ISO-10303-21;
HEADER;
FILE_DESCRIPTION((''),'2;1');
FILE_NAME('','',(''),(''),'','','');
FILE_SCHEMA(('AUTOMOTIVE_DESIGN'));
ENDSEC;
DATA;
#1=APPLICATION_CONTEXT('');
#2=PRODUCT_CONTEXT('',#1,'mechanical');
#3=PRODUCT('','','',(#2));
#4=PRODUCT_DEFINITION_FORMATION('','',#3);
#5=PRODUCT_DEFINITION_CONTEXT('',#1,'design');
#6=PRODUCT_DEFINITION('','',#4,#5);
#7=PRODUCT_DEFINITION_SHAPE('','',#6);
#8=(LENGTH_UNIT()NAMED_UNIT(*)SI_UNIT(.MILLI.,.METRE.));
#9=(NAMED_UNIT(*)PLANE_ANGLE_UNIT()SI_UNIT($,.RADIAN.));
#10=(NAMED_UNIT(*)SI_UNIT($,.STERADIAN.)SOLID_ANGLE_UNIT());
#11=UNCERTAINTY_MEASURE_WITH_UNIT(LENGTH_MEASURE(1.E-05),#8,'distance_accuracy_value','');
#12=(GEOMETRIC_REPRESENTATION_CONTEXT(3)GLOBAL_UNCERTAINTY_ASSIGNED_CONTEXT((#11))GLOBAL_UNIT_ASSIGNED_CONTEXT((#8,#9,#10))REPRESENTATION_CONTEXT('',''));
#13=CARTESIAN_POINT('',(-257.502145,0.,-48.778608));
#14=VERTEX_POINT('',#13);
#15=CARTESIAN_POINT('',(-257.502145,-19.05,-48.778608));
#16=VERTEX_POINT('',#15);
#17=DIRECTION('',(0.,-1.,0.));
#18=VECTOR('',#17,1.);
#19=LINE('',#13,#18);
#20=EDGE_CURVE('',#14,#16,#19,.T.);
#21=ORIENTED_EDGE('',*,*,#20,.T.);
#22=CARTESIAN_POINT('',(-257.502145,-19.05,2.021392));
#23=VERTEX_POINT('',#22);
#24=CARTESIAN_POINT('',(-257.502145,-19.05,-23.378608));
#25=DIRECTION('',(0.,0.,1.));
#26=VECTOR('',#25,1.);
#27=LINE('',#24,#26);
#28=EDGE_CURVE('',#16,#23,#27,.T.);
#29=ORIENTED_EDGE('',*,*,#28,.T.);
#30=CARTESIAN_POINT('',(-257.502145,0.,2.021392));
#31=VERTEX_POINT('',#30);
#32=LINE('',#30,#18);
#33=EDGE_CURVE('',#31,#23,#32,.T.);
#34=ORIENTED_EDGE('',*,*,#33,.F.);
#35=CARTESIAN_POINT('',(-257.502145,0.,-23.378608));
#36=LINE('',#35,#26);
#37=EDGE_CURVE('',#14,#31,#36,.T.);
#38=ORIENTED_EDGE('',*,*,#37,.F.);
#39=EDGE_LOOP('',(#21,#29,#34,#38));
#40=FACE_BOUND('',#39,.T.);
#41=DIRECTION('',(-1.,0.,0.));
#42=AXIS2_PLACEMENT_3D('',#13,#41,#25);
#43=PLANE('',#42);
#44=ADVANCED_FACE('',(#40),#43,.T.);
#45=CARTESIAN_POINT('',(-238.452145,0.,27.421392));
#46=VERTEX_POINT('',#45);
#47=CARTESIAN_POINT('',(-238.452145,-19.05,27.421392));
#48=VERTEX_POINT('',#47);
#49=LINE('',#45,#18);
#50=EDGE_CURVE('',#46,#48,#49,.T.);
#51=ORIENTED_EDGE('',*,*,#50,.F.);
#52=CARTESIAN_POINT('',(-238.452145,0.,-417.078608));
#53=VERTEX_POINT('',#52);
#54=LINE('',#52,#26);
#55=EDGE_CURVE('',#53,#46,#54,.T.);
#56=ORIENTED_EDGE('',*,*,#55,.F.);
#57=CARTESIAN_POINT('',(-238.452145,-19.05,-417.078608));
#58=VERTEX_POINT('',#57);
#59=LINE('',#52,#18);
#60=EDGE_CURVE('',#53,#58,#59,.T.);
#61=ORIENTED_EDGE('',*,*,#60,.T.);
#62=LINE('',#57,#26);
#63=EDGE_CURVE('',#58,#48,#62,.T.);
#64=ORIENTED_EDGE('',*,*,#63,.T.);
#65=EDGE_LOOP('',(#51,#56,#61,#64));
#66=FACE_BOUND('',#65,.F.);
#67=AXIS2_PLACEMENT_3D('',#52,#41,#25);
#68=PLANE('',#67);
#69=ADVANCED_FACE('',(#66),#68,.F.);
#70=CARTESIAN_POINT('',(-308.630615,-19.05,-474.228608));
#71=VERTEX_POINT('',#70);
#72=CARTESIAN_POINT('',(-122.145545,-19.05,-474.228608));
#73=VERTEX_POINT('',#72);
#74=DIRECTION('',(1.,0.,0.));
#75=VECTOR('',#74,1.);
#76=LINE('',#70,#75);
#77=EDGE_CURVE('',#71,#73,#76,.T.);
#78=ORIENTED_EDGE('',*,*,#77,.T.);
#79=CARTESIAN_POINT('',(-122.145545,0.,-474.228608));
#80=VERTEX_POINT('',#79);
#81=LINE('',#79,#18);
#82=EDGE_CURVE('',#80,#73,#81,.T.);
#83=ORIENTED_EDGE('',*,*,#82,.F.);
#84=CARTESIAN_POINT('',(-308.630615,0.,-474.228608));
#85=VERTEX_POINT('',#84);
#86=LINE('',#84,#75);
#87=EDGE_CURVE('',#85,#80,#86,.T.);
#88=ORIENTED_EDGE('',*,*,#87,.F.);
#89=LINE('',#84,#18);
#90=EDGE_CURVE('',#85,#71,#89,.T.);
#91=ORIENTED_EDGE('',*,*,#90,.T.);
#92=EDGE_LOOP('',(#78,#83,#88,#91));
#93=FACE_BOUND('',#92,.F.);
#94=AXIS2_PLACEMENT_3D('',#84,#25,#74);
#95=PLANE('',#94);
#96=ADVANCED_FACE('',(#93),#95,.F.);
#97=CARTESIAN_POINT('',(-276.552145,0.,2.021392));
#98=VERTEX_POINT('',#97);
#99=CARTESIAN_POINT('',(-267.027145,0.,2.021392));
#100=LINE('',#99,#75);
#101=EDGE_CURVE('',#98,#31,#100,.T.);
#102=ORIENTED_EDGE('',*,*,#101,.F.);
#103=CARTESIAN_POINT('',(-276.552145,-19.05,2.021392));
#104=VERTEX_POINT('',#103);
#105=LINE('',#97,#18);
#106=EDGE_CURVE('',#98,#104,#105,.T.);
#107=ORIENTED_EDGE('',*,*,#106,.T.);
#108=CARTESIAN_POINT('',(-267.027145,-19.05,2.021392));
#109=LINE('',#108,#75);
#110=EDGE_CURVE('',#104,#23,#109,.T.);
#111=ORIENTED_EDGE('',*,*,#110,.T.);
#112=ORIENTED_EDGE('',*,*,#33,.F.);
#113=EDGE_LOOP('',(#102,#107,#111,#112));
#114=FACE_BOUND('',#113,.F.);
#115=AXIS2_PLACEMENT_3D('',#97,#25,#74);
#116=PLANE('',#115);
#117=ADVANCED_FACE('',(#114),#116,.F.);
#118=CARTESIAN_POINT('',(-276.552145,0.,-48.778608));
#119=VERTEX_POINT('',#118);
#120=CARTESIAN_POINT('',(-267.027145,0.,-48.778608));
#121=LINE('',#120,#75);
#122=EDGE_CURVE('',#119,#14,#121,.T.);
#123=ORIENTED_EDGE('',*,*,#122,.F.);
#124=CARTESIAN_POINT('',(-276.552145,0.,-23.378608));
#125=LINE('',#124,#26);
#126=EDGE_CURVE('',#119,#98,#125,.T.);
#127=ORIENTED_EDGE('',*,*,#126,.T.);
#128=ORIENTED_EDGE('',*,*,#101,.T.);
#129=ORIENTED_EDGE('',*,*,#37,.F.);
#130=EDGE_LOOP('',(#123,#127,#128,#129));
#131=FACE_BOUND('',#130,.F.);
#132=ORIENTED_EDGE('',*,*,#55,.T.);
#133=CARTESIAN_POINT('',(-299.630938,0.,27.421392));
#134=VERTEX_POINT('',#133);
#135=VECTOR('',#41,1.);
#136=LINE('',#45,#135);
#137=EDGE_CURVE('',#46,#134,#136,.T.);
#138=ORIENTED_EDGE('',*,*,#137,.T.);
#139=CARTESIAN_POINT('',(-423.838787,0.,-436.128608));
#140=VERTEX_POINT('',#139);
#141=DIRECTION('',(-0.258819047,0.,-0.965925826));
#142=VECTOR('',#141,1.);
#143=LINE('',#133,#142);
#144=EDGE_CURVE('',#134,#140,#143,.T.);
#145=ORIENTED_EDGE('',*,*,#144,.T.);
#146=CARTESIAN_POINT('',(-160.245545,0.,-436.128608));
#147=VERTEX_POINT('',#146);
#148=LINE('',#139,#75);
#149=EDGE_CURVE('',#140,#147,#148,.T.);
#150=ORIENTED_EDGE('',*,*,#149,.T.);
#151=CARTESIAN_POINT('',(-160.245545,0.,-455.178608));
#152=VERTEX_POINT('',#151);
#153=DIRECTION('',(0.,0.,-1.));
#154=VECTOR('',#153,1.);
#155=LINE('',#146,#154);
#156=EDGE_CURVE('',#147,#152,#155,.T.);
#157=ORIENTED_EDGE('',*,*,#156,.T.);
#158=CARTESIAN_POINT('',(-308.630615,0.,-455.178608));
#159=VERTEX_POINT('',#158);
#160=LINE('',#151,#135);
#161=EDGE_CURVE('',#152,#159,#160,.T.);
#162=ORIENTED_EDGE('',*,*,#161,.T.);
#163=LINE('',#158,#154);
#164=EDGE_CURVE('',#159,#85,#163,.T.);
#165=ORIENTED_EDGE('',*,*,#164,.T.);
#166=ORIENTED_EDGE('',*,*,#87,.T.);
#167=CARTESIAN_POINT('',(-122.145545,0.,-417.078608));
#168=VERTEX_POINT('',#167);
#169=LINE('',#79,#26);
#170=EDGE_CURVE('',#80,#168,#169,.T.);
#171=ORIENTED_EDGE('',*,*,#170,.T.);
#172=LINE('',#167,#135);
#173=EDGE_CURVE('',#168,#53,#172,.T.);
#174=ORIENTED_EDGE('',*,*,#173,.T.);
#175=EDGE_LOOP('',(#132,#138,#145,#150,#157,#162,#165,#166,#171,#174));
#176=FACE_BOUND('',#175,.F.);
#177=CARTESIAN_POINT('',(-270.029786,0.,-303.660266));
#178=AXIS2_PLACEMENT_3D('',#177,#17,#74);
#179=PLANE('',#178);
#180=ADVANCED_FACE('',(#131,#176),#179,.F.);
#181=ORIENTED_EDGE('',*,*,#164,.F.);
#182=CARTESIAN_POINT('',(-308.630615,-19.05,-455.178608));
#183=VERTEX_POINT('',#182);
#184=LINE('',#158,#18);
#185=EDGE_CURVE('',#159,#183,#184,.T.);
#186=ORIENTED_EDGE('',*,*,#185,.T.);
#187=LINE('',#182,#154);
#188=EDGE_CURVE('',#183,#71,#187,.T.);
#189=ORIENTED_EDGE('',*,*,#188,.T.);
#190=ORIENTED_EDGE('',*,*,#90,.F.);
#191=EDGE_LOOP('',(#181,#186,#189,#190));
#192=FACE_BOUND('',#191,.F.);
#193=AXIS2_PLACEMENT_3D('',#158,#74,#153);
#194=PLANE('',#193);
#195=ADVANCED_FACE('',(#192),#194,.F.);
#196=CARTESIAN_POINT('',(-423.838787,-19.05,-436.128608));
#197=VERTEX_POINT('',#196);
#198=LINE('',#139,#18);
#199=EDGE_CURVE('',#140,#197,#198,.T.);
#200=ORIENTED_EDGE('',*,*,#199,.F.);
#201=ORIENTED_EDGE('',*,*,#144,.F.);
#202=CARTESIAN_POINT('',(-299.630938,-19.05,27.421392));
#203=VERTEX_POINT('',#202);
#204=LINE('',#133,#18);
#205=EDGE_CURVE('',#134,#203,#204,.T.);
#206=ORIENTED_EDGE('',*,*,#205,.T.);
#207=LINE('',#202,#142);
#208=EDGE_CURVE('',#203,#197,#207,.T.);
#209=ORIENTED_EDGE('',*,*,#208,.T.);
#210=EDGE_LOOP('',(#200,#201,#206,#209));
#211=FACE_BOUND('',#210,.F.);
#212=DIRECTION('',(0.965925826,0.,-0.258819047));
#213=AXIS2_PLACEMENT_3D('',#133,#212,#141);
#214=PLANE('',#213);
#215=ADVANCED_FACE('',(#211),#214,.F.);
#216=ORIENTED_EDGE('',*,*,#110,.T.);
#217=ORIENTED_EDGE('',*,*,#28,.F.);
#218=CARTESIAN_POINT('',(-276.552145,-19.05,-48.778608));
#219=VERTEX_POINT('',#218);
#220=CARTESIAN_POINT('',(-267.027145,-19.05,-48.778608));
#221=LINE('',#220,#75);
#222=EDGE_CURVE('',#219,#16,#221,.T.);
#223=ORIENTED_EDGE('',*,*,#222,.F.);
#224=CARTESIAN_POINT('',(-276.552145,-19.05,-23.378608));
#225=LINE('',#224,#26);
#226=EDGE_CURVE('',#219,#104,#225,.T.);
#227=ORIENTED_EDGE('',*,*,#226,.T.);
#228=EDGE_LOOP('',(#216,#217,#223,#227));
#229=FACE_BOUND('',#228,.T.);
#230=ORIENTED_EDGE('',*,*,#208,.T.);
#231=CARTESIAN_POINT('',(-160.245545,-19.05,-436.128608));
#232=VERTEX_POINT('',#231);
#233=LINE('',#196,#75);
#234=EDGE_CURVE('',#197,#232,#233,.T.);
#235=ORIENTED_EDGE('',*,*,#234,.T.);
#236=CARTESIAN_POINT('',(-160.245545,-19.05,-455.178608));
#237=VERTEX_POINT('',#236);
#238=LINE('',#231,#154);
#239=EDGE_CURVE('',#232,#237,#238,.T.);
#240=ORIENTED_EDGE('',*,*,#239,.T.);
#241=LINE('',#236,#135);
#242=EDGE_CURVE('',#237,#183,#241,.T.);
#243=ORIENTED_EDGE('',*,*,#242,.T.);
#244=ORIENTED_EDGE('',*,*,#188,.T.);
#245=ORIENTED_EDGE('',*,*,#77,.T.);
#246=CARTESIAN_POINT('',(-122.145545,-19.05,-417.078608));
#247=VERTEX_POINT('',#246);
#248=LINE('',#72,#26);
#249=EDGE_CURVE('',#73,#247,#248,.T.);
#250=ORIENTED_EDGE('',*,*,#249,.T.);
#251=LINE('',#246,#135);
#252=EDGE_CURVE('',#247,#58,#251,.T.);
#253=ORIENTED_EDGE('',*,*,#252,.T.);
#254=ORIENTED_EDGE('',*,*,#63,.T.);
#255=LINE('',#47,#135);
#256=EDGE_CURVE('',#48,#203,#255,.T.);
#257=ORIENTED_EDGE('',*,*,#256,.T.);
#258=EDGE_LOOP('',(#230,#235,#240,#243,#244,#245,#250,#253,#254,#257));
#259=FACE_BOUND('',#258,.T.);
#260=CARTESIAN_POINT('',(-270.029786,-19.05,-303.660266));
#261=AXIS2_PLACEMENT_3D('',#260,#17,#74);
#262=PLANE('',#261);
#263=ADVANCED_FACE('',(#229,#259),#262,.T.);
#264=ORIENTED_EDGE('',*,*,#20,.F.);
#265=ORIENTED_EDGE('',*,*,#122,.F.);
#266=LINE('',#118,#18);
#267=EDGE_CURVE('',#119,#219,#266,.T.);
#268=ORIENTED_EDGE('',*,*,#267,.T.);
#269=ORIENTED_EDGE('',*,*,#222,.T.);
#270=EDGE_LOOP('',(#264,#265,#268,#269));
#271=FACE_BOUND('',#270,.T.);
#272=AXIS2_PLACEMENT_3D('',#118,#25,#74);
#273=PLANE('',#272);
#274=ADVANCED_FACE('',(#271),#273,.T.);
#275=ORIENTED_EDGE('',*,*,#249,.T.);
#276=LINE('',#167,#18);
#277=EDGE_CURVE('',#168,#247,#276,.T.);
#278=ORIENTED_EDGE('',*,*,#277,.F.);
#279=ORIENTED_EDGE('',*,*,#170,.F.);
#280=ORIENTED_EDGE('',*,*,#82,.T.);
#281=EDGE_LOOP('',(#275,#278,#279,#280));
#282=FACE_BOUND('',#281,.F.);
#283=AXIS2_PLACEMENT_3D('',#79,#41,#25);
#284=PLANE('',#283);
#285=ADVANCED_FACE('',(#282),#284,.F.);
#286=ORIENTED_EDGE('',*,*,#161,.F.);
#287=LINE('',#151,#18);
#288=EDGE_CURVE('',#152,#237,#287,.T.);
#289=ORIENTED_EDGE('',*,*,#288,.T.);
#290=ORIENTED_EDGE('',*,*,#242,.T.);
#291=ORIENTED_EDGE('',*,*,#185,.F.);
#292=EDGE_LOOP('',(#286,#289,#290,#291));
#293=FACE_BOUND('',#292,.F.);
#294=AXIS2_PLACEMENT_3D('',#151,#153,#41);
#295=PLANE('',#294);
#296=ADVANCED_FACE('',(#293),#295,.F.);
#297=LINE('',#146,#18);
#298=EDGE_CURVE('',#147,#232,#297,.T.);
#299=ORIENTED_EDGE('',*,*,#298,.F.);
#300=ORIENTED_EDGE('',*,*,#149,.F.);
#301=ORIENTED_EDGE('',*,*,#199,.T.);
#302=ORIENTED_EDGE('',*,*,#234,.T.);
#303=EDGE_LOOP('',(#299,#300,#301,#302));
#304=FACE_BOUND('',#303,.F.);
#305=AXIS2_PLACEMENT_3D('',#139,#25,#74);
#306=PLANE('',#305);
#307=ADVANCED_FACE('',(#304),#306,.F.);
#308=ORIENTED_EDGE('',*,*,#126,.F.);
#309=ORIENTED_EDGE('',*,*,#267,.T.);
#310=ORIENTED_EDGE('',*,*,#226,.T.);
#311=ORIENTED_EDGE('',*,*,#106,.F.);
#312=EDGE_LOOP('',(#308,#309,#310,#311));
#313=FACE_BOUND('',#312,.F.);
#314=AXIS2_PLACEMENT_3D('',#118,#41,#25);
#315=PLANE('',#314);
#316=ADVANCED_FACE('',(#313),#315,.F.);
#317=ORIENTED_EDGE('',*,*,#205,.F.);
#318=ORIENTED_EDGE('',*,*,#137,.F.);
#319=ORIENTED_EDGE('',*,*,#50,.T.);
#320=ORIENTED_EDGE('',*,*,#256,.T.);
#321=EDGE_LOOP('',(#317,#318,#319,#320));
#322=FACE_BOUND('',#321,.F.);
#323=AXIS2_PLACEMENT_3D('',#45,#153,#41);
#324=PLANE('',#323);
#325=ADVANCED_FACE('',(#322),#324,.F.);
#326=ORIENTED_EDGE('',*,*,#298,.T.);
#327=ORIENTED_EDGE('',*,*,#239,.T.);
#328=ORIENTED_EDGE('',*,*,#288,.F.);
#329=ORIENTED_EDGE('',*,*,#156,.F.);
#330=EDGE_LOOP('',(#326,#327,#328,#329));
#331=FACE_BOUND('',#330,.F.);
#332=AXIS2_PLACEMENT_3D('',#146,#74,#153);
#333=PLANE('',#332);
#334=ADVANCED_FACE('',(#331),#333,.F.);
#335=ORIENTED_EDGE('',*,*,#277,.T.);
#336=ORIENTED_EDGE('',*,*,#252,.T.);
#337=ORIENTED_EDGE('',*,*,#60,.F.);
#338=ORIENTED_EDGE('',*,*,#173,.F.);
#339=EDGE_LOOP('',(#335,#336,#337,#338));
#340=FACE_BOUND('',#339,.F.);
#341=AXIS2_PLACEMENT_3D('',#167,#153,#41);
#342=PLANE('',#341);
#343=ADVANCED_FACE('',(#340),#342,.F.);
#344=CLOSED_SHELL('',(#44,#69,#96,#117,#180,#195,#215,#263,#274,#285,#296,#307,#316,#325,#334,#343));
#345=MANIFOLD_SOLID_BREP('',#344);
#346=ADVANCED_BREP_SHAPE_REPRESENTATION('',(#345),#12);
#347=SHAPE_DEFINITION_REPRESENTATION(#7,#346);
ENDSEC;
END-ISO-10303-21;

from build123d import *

# Parameters (mm, degrees)
F0_W     = 19.05
F0_H     = 50.8
F1_DEPTH = 19.05


with BuildPart() as f1:
    # F0 (on Front) → F1 (new body)
    with BuildSketch(Plane.XZ):
        Polygon((-238.452145, -417.078608), (-238.452145, 27.421392), (-299.630938, 27.421392), (-423.838787, -436.128608), (-160.245545, -436.128608), (-160.245545, -455.178608), (-308.630615, -455.178608), (-308.630615, -474.228608), (-122.145545, -474.228608), (-122.145545, -417.078608), align=None)
        with Locations((-267.027145, -23.378608)):
            Rectangle(F0_W, F0_H, mode=Mode.SUBTRACT)
    extrude(amount=F1_DEPTH)


solid = f1.part
